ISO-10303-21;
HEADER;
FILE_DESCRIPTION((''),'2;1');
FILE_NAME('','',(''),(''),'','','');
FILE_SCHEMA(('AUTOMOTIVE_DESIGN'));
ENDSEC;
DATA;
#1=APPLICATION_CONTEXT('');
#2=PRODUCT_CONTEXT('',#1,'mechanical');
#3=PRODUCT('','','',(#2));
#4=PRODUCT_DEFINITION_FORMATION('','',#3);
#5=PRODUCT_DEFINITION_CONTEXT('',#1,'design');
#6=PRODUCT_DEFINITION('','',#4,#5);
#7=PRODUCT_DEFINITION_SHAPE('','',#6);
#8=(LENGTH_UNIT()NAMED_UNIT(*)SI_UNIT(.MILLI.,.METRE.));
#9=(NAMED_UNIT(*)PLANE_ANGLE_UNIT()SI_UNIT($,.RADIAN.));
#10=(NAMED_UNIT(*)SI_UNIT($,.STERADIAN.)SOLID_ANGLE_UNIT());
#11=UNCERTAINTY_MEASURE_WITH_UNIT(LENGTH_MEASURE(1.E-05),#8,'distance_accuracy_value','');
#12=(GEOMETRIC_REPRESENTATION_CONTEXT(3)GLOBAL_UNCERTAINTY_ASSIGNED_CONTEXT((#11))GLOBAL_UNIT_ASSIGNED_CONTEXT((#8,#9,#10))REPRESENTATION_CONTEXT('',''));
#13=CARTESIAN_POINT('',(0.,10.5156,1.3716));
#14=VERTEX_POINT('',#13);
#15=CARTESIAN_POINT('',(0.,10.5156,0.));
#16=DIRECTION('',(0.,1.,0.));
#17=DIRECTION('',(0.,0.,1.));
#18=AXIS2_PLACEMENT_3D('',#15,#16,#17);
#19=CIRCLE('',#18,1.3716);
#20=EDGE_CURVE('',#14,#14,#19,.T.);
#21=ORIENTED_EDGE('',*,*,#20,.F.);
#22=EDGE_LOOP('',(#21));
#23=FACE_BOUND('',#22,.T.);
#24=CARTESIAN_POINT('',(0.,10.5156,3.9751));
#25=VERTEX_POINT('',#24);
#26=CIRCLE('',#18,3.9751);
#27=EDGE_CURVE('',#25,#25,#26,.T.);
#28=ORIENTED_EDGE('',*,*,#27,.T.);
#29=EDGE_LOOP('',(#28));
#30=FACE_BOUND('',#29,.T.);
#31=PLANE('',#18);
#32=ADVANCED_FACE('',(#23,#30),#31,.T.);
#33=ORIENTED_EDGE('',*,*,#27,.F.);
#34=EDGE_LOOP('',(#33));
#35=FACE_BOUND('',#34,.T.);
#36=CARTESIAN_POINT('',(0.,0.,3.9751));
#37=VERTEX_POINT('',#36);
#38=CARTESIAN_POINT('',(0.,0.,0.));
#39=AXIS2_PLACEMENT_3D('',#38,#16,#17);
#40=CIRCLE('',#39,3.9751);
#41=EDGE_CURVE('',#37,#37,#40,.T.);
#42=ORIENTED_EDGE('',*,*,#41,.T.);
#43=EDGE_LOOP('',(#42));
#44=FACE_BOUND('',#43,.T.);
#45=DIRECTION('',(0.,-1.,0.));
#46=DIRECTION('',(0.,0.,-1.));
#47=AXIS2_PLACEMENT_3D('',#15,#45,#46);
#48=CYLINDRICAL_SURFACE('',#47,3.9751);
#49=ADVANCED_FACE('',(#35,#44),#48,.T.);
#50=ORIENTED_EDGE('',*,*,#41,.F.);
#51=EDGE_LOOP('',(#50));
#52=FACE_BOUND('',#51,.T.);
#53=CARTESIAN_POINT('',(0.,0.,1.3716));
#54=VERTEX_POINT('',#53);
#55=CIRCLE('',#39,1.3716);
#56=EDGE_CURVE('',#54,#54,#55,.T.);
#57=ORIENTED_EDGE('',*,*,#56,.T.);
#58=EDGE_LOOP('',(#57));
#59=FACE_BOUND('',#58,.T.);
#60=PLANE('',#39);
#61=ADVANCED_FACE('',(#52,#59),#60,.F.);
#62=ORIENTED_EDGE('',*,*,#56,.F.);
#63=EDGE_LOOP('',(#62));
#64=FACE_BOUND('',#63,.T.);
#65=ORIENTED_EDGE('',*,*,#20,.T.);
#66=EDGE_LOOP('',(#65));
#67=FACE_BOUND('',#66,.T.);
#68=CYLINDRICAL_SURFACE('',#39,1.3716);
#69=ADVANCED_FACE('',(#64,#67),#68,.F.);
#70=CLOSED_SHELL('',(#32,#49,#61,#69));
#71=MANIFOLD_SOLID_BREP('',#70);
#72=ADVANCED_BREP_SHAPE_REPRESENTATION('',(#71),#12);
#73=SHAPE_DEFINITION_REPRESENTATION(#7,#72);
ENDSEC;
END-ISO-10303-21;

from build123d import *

# Parameters (mm, degrees)
SKETCH1_R           = 3.9751
BOSS_EXTRUDE1_DEPTH = 10.5156
SKETCH2_R           = 1.3716
CUT_EXTRUDE1_DEPTH  = 12.923954184


with BuildPart() as part:
    # Sketch1 → Boss-Extrude1 (new body)
    with BuildSketch(Plane(origin=(0, 0, 0), x_dir=(1, 0, 0), z_dir=(0, 1, 0))):
        with Locations(Location((0, 0, 0), (0, 0, 270))):
            Circle(SKETCH1_R)
    extrude(amount=BOSS_EXTRUDE1_DEPTH)

    # Sketch2 → Cut-Extrude1 (cut, through all)
    with BuildSketch(Plane(origin=(0, 10.5156, 0), x_dir=(1, 0, 0), z_dir=(0, 1, 0))):
        with Locations(Location((0, 0, 0), (0, 0, 270))):
            Circle(SKETCH2_R)
    extrude(amount=-CUT_EXTRUDE1_DEPTH, mode=Mode.SUBTRACT)


solid = part.part
